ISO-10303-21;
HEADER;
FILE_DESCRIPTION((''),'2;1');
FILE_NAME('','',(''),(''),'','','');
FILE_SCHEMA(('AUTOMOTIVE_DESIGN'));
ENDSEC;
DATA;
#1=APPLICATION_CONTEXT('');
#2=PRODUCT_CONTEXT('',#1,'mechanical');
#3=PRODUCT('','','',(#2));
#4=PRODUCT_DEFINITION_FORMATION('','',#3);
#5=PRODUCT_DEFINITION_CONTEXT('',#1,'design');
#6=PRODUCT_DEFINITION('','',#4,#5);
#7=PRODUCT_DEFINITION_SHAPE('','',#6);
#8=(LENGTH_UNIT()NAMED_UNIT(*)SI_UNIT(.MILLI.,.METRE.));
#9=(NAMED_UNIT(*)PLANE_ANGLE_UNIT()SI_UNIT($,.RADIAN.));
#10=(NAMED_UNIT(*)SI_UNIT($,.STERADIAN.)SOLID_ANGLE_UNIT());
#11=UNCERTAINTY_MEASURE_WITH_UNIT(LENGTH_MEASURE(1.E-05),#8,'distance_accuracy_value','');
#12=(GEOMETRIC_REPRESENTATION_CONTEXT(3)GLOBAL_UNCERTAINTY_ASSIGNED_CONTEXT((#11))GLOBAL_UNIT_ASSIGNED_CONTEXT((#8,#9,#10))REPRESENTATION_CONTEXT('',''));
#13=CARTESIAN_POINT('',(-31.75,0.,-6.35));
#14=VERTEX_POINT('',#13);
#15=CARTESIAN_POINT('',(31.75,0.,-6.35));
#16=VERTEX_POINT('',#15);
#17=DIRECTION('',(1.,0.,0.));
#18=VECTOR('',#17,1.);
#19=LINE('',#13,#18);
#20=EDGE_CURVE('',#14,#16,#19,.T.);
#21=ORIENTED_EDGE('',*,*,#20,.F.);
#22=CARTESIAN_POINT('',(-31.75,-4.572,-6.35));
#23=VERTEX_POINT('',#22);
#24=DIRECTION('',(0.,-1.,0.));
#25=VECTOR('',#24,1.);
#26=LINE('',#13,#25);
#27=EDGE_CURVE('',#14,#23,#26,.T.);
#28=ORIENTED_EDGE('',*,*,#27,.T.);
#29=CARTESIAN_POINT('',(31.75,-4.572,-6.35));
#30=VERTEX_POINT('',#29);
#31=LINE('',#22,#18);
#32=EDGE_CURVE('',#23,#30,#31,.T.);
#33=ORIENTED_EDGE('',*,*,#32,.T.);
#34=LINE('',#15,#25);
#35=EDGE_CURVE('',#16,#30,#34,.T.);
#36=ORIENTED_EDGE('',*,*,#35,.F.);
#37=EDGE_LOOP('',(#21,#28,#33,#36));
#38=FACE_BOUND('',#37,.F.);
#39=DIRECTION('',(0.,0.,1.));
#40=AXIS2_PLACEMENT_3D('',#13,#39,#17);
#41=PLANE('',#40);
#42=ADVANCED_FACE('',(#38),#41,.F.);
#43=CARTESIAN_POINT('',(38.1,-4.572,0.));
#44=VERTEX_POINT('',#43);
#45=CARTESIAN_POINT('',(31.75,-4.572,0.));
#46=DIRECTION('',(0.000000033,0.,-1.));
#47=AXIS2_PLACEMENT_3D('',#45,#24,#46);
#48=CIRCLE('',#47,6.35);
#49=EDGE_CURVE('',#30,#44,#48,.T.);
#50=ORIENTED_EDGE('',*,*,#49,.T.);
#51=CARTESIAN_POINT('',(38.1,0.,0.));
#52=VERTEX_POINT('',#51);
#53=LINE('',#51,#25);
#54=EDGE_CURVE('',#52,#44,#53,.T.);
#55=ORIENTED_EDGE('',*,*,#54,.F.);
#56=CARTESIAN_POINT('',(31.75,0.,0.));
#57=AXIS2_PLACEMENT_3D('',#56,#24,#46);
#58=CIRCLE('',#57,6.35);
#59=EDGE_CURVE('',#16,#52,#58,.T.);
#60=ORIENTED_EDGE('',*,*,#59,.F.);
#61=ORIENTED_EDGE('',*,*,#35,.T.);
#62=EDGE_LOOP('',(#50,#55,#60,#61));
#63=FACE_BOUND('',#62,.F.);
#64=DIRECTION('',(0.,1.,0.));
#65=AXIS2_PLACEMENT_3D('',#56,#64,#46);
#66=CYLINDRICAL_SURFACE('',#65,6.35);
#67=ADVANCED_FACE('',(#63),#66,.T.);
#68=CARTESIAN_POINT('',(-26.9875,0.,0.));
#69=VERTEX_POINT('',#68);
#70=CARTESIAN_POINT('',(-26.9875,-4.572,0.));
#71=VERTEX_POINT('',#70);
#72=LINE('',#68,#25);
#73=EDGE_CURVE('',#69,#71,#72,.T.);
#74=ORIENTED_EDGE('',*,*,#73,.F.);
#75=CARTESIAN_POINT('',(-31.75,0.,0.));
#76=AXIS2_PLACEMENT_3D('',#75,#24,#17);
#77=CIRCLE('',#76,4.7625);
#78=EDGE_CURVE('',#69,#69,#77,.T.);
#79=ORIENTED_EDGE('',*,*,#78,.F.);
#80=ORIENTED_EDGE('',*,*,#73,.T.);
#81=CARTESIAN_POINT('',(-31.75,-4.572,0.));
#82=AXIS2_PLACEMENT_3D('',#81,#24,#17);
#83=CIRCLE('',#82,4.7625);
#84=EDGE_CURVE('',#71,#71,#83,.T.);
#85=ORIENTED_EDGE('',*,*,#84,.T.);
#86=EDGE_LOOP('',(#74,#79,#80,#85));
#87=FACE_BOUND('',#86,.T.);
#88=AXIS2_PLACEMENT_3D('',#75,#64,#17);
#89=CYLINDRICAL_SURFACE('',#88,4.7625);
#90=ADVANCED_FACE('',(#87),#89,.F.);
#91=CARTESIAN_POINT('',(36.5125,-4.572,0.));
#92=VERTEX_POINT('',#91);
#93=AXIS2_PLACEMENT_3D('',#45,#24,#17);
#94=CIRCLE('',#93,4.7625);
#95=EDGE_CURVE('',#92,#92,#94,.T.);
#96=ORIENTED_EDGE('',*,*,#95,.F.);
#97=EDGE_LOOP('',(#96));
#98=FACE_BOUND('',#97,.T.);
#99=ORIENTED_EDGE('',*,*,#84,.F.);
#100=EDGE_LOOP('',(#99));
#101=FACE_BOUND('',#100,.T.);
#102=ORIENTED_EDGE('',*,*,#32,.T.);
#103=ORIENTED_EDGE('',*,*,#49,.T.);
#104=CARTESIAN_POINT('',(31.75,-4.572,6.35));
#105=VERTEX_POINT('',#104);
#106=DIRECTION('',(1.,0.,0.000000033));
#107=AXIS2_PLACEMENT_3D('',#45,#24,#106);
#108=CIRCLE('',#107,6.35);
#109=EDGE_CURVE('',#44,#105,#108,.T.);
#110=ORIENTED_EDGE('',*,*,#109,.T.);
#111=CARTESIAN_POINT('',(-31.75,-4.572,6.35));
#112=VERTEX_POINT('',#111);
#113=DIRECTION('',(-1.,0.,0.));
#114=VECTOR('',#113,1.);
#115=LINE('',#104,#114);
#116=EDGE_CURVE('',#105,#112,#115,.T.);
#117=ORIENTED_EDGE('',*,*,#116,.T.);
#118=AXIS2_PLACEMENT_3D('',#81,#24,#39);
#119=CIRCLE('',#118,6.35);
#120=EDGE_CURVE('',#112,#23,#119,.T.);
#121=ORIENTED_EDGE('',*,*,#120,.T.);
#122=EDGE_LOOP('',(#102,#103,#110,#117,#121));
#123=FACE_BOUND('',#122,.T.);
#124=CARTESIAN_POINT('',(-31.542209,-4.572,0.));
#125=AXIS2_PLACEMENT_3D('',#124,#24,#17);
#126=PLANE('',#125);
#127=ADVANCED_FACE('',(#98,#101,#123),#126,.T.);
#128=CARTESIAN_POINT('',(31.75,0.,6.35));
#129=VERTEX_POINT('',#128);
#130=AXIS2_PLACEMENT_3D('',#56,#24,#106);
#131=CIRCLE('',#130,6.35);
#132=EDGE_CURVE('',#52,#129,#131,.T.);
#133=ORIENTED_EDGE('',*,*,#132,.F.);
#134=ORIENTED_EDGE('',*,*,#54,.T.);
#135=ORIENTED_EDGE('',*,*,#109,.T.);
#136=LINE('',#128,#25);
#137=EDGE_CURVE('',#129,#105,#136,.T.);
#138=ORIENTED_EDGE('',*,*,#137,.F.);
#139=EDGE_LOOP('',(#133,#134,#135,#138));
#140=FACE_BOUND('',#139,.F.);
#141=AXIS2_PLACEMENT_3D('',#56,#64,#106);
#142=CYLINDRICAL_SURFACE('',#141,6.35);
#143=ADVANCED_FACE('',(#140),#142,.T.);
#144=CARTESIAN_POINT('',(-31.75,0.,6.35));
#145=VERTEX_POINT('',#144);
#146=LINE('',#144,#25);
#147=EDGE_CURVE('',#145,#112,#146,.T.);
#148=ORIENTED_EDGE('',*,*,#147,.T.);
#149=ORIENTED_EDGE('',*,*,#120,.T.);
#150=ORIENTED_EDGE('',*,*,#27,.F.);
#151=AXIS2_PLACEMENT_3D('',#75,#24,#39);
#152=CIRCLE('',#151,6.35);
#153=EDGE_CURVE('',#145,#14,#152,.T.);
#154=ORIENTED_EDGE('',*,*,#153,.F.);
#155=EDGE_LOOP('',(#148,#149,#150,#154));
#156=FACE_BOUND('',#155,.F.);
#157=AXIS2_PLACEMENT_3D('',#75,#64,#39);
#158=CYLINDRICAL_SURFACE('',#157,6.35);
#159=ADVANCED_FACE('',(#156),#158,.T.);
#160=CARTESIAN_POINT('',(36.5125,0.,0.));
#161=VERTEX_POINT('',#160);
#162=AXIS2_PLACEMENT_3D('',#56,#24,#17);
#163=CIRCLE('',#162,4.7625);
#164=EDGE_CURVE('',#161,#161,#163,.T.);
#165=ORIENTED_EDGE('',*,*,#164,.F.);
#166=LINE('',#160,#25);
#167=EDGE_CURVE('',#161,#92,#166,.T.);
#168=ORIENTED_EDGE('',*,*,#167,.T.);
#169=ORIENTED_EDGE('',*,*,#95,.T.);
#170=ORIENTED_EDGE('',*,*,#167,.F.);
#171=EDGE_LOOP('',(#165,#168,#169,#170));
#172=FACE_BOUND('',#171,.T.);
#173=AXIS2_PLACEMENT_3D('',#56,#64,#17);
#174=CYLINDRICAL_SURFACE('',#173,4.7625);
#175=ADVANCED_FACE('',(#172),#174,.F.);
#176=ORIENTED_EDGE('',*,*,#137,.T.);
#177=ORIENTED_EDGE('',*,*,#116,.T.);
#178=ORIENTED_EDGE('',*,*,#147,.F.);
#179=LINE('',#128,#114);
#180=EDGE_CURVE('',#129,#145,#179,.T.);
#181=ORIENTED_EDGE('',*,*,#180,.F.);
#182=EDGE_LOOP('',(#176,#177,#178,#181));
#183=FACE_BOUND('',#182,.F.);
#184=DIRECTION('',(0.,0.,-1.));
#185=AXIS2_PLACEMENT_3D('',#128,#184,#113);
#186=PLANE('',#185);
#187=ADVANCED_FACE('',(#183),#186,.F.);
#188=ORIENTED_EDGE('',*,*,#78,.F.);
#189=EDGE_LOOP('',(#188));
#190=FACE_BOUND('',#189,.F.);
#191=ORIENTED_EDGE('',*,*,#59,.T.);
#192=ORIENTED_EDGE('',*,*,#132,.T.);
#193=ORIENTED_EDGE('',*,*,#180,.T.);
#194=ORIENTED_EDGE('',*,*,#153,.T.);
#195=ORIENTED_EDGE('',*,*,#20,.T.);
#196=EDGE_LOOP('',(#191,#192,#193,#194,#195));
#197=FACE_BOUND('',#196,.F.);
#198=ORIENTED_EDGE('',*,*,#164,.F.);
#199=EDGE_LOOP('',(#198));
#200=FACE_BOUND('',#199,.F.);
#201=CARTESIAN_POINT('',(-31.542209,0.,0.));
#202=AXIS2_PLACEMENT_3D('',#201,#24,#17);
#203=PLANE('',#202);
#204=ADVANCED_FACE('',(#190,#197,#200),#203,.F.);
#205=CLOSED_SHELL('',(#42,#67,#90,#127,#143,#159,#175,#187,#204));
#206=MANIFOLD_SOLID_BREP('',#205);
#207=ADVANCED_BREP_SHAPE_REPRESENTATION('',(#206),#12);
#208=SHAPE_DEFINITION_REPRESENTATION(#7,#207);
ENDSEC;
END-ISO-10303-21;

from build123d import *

# Parameters (mm, degrees)
F0_R     = 4.7625
F1_DEPTH = 4.572


with BuildPart() as f1:
    # F0 (on Front) → F1 (new body)
    with BuildSketch(Plane.XZ):
        with BuildLine():
            ThreePointArc((-31.75, -6.35), (-27.259872, -4.490128), (-25.4, 0))
            ThreePointArc((-25.4, 0), (-27.259872, 4.490128), (-31.75, 6.35))
            ThreePointArc((-31.75, 6.35), (-38.1, 0), (-31.75, -6.35))
        make_face()
        with Locations((-31.75, 0)):
            Circle(F0_R, mode=Mode.SUBTRACT)
        with BuildLine():
            ThreePointArc((-31.75, 6.35), (-27.259872, 4.490128), (-25.4, 0))
            ThreePointArc((-25.4, 0), (-27.259872, -4.490128), (-31.75, -6.35))
            Line((-31.75, -6.35), (31.75, -6.35))
            ThreePointArc((31.75, -6.35), (25.4, 0), (31.75, 6.35))
            Line((31.75, 6.35), (-31.75, 6.35))
        make_face()
        with BuildLine():
            ThreePointArc((38.1, 0), (36.240128, 4.490128), (31.75, 6.35))
            ThreePointArc((31.75, 6.35), (25.4, 0), (31.75, -6.35))
            ThreePointArc((31.75, -6.35), (36.240128, -4.490128), (38.1, 0))
        make_face()
        with Locations((31.75, 0)):
            Circle(F0_R, mode=Mode.SUBTRACT)
    extrude(amount=F1_DEPTH)


solid = f1.part
